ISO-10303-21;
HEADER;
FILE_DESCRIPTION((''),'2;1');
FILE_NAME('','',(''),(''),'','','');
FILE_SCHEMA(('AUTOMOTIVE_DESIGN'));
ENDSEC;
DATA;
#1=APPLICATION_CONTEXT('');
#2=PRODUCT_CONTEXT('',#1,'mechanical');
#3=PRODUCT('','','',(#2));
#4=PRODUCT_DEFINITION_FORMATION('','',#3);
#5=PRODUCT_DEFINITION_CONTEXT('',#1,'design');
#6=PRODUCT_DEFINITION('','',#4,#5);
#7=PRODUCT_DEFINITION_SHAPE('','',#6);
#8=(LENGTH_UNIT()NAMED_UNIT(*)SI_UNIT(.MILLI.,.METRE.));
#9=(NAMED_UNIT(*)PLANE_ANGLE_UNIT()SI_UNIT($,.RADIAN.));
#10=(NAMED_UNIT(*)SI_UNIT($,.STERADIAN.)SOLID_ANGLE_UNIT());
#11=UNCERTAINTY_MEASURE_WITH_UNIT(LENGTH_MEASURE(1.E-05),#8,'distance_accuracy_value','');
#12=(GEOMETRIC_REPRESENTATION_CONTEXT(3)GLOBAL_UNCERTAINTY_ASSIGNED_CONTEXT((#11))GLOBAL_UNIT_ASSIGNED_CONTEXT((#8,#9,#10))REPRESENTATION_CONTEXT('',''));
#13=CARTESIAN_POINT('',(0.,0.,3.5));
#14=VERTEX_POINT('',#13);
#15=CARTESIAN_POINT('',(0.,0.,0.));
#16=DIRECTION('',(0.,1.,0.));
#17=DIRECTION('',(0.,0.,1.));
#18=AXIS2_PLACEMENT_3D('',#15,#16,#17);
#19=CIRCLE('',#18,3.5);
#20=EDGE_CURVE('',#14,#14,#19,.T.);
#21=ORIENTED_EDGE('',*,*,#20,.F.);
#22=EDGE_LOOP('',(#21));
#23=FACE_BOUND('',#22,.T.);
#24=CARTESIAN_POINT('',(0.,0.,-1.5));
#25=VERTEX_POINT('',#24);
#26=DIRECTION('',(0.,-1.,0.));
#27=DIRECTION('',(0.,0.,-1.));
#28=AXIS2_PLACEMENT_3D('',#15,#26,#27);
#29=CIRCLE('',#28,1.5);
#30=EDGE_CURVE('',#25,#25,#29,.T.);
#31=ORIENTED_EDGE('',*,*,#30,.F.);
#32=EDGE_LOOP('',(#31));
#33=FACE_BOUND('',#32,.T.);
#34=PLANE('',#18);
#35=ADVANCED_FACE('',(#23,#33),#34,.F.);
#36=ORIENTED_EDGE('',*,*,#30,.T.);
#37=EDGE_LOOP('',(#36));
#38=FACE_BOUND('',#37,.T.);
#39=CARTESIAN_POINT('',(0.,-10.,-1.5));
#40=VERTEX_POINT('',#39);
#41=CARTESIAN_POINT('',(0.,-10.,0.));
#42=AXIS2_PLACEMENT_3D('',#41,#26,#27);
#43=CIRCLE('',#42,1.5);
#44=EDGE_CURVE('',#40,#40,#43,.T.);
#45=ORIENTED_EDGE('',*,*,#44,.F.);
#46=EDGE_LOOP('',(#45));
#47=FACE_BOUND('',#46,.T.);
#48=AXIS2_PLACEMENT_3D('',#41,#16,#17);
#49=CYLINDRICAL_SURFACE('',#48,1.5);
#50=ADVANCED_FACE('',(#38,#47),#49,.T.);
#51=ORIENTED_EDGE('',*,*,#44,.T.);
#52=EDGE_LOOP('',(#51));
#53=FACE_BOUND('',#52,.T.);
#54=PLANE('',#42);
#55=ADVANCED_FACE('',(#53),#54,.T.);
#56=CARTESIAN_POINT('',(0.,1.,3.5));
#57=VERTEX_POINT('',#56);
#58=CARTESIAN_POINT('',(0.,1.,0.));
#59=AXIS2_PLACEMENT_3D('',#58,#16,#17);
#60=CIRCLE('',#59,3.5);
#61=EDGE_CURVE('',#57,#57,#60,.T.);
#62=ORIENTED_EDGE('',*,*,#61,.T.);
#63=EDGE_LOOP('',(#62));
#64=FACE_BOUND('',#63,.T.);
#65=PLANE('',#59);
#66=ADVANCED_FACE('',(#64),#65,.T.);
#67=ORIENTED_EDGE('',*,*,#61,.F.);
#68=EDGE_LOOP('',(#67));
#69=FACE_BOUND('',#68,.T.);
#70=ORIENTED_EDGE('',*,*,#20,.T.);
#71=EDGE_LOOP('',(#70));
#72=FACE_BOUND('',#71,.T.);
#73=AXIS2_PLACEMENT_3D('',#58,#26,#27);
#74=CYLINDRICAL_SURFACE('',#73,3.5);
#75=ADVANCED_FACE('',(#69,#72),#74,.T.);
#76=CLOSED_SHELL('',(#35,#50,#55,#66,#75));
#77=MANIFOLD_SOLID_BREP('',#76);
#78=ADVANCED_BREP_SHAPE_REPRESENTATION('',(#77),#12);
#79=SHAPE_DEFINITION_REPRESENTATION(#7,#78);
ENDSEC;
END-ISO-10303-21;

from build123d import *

# Parameters (mm, degrees)
SKETCH_1_R      = 3.5
EXTRUDE_1_DEPTH = 1
SKETCH_2_R      = 1.5
EXTRUDE_2_DEPTH = 10


with BuildPart() as part:
    # 草图1 → 凸台-拉伸1 (new body)
    with BuildSketch(Plane(origin=(0, 0, 0), x_dir=(1, 0, 0), z_dir=(0, 1, 0))):
        with Locations(Location((0, 0, 0), (0, 0, 270))):
            Circle(SKETCH_1_R)
    extrude(amount=EXTRUDE_1_DEPTH)

    # 草图2 → 凸台-拉伸2 (add)
    with BuildSketch(Plane.XZ):
        with Locations(Location((0, 0, 0), (0, 0, 270))):
            Circle(SKETCH_2_R)
    extrude(amount=EXTRUDE_2_DEPTH)


solid = part.part
